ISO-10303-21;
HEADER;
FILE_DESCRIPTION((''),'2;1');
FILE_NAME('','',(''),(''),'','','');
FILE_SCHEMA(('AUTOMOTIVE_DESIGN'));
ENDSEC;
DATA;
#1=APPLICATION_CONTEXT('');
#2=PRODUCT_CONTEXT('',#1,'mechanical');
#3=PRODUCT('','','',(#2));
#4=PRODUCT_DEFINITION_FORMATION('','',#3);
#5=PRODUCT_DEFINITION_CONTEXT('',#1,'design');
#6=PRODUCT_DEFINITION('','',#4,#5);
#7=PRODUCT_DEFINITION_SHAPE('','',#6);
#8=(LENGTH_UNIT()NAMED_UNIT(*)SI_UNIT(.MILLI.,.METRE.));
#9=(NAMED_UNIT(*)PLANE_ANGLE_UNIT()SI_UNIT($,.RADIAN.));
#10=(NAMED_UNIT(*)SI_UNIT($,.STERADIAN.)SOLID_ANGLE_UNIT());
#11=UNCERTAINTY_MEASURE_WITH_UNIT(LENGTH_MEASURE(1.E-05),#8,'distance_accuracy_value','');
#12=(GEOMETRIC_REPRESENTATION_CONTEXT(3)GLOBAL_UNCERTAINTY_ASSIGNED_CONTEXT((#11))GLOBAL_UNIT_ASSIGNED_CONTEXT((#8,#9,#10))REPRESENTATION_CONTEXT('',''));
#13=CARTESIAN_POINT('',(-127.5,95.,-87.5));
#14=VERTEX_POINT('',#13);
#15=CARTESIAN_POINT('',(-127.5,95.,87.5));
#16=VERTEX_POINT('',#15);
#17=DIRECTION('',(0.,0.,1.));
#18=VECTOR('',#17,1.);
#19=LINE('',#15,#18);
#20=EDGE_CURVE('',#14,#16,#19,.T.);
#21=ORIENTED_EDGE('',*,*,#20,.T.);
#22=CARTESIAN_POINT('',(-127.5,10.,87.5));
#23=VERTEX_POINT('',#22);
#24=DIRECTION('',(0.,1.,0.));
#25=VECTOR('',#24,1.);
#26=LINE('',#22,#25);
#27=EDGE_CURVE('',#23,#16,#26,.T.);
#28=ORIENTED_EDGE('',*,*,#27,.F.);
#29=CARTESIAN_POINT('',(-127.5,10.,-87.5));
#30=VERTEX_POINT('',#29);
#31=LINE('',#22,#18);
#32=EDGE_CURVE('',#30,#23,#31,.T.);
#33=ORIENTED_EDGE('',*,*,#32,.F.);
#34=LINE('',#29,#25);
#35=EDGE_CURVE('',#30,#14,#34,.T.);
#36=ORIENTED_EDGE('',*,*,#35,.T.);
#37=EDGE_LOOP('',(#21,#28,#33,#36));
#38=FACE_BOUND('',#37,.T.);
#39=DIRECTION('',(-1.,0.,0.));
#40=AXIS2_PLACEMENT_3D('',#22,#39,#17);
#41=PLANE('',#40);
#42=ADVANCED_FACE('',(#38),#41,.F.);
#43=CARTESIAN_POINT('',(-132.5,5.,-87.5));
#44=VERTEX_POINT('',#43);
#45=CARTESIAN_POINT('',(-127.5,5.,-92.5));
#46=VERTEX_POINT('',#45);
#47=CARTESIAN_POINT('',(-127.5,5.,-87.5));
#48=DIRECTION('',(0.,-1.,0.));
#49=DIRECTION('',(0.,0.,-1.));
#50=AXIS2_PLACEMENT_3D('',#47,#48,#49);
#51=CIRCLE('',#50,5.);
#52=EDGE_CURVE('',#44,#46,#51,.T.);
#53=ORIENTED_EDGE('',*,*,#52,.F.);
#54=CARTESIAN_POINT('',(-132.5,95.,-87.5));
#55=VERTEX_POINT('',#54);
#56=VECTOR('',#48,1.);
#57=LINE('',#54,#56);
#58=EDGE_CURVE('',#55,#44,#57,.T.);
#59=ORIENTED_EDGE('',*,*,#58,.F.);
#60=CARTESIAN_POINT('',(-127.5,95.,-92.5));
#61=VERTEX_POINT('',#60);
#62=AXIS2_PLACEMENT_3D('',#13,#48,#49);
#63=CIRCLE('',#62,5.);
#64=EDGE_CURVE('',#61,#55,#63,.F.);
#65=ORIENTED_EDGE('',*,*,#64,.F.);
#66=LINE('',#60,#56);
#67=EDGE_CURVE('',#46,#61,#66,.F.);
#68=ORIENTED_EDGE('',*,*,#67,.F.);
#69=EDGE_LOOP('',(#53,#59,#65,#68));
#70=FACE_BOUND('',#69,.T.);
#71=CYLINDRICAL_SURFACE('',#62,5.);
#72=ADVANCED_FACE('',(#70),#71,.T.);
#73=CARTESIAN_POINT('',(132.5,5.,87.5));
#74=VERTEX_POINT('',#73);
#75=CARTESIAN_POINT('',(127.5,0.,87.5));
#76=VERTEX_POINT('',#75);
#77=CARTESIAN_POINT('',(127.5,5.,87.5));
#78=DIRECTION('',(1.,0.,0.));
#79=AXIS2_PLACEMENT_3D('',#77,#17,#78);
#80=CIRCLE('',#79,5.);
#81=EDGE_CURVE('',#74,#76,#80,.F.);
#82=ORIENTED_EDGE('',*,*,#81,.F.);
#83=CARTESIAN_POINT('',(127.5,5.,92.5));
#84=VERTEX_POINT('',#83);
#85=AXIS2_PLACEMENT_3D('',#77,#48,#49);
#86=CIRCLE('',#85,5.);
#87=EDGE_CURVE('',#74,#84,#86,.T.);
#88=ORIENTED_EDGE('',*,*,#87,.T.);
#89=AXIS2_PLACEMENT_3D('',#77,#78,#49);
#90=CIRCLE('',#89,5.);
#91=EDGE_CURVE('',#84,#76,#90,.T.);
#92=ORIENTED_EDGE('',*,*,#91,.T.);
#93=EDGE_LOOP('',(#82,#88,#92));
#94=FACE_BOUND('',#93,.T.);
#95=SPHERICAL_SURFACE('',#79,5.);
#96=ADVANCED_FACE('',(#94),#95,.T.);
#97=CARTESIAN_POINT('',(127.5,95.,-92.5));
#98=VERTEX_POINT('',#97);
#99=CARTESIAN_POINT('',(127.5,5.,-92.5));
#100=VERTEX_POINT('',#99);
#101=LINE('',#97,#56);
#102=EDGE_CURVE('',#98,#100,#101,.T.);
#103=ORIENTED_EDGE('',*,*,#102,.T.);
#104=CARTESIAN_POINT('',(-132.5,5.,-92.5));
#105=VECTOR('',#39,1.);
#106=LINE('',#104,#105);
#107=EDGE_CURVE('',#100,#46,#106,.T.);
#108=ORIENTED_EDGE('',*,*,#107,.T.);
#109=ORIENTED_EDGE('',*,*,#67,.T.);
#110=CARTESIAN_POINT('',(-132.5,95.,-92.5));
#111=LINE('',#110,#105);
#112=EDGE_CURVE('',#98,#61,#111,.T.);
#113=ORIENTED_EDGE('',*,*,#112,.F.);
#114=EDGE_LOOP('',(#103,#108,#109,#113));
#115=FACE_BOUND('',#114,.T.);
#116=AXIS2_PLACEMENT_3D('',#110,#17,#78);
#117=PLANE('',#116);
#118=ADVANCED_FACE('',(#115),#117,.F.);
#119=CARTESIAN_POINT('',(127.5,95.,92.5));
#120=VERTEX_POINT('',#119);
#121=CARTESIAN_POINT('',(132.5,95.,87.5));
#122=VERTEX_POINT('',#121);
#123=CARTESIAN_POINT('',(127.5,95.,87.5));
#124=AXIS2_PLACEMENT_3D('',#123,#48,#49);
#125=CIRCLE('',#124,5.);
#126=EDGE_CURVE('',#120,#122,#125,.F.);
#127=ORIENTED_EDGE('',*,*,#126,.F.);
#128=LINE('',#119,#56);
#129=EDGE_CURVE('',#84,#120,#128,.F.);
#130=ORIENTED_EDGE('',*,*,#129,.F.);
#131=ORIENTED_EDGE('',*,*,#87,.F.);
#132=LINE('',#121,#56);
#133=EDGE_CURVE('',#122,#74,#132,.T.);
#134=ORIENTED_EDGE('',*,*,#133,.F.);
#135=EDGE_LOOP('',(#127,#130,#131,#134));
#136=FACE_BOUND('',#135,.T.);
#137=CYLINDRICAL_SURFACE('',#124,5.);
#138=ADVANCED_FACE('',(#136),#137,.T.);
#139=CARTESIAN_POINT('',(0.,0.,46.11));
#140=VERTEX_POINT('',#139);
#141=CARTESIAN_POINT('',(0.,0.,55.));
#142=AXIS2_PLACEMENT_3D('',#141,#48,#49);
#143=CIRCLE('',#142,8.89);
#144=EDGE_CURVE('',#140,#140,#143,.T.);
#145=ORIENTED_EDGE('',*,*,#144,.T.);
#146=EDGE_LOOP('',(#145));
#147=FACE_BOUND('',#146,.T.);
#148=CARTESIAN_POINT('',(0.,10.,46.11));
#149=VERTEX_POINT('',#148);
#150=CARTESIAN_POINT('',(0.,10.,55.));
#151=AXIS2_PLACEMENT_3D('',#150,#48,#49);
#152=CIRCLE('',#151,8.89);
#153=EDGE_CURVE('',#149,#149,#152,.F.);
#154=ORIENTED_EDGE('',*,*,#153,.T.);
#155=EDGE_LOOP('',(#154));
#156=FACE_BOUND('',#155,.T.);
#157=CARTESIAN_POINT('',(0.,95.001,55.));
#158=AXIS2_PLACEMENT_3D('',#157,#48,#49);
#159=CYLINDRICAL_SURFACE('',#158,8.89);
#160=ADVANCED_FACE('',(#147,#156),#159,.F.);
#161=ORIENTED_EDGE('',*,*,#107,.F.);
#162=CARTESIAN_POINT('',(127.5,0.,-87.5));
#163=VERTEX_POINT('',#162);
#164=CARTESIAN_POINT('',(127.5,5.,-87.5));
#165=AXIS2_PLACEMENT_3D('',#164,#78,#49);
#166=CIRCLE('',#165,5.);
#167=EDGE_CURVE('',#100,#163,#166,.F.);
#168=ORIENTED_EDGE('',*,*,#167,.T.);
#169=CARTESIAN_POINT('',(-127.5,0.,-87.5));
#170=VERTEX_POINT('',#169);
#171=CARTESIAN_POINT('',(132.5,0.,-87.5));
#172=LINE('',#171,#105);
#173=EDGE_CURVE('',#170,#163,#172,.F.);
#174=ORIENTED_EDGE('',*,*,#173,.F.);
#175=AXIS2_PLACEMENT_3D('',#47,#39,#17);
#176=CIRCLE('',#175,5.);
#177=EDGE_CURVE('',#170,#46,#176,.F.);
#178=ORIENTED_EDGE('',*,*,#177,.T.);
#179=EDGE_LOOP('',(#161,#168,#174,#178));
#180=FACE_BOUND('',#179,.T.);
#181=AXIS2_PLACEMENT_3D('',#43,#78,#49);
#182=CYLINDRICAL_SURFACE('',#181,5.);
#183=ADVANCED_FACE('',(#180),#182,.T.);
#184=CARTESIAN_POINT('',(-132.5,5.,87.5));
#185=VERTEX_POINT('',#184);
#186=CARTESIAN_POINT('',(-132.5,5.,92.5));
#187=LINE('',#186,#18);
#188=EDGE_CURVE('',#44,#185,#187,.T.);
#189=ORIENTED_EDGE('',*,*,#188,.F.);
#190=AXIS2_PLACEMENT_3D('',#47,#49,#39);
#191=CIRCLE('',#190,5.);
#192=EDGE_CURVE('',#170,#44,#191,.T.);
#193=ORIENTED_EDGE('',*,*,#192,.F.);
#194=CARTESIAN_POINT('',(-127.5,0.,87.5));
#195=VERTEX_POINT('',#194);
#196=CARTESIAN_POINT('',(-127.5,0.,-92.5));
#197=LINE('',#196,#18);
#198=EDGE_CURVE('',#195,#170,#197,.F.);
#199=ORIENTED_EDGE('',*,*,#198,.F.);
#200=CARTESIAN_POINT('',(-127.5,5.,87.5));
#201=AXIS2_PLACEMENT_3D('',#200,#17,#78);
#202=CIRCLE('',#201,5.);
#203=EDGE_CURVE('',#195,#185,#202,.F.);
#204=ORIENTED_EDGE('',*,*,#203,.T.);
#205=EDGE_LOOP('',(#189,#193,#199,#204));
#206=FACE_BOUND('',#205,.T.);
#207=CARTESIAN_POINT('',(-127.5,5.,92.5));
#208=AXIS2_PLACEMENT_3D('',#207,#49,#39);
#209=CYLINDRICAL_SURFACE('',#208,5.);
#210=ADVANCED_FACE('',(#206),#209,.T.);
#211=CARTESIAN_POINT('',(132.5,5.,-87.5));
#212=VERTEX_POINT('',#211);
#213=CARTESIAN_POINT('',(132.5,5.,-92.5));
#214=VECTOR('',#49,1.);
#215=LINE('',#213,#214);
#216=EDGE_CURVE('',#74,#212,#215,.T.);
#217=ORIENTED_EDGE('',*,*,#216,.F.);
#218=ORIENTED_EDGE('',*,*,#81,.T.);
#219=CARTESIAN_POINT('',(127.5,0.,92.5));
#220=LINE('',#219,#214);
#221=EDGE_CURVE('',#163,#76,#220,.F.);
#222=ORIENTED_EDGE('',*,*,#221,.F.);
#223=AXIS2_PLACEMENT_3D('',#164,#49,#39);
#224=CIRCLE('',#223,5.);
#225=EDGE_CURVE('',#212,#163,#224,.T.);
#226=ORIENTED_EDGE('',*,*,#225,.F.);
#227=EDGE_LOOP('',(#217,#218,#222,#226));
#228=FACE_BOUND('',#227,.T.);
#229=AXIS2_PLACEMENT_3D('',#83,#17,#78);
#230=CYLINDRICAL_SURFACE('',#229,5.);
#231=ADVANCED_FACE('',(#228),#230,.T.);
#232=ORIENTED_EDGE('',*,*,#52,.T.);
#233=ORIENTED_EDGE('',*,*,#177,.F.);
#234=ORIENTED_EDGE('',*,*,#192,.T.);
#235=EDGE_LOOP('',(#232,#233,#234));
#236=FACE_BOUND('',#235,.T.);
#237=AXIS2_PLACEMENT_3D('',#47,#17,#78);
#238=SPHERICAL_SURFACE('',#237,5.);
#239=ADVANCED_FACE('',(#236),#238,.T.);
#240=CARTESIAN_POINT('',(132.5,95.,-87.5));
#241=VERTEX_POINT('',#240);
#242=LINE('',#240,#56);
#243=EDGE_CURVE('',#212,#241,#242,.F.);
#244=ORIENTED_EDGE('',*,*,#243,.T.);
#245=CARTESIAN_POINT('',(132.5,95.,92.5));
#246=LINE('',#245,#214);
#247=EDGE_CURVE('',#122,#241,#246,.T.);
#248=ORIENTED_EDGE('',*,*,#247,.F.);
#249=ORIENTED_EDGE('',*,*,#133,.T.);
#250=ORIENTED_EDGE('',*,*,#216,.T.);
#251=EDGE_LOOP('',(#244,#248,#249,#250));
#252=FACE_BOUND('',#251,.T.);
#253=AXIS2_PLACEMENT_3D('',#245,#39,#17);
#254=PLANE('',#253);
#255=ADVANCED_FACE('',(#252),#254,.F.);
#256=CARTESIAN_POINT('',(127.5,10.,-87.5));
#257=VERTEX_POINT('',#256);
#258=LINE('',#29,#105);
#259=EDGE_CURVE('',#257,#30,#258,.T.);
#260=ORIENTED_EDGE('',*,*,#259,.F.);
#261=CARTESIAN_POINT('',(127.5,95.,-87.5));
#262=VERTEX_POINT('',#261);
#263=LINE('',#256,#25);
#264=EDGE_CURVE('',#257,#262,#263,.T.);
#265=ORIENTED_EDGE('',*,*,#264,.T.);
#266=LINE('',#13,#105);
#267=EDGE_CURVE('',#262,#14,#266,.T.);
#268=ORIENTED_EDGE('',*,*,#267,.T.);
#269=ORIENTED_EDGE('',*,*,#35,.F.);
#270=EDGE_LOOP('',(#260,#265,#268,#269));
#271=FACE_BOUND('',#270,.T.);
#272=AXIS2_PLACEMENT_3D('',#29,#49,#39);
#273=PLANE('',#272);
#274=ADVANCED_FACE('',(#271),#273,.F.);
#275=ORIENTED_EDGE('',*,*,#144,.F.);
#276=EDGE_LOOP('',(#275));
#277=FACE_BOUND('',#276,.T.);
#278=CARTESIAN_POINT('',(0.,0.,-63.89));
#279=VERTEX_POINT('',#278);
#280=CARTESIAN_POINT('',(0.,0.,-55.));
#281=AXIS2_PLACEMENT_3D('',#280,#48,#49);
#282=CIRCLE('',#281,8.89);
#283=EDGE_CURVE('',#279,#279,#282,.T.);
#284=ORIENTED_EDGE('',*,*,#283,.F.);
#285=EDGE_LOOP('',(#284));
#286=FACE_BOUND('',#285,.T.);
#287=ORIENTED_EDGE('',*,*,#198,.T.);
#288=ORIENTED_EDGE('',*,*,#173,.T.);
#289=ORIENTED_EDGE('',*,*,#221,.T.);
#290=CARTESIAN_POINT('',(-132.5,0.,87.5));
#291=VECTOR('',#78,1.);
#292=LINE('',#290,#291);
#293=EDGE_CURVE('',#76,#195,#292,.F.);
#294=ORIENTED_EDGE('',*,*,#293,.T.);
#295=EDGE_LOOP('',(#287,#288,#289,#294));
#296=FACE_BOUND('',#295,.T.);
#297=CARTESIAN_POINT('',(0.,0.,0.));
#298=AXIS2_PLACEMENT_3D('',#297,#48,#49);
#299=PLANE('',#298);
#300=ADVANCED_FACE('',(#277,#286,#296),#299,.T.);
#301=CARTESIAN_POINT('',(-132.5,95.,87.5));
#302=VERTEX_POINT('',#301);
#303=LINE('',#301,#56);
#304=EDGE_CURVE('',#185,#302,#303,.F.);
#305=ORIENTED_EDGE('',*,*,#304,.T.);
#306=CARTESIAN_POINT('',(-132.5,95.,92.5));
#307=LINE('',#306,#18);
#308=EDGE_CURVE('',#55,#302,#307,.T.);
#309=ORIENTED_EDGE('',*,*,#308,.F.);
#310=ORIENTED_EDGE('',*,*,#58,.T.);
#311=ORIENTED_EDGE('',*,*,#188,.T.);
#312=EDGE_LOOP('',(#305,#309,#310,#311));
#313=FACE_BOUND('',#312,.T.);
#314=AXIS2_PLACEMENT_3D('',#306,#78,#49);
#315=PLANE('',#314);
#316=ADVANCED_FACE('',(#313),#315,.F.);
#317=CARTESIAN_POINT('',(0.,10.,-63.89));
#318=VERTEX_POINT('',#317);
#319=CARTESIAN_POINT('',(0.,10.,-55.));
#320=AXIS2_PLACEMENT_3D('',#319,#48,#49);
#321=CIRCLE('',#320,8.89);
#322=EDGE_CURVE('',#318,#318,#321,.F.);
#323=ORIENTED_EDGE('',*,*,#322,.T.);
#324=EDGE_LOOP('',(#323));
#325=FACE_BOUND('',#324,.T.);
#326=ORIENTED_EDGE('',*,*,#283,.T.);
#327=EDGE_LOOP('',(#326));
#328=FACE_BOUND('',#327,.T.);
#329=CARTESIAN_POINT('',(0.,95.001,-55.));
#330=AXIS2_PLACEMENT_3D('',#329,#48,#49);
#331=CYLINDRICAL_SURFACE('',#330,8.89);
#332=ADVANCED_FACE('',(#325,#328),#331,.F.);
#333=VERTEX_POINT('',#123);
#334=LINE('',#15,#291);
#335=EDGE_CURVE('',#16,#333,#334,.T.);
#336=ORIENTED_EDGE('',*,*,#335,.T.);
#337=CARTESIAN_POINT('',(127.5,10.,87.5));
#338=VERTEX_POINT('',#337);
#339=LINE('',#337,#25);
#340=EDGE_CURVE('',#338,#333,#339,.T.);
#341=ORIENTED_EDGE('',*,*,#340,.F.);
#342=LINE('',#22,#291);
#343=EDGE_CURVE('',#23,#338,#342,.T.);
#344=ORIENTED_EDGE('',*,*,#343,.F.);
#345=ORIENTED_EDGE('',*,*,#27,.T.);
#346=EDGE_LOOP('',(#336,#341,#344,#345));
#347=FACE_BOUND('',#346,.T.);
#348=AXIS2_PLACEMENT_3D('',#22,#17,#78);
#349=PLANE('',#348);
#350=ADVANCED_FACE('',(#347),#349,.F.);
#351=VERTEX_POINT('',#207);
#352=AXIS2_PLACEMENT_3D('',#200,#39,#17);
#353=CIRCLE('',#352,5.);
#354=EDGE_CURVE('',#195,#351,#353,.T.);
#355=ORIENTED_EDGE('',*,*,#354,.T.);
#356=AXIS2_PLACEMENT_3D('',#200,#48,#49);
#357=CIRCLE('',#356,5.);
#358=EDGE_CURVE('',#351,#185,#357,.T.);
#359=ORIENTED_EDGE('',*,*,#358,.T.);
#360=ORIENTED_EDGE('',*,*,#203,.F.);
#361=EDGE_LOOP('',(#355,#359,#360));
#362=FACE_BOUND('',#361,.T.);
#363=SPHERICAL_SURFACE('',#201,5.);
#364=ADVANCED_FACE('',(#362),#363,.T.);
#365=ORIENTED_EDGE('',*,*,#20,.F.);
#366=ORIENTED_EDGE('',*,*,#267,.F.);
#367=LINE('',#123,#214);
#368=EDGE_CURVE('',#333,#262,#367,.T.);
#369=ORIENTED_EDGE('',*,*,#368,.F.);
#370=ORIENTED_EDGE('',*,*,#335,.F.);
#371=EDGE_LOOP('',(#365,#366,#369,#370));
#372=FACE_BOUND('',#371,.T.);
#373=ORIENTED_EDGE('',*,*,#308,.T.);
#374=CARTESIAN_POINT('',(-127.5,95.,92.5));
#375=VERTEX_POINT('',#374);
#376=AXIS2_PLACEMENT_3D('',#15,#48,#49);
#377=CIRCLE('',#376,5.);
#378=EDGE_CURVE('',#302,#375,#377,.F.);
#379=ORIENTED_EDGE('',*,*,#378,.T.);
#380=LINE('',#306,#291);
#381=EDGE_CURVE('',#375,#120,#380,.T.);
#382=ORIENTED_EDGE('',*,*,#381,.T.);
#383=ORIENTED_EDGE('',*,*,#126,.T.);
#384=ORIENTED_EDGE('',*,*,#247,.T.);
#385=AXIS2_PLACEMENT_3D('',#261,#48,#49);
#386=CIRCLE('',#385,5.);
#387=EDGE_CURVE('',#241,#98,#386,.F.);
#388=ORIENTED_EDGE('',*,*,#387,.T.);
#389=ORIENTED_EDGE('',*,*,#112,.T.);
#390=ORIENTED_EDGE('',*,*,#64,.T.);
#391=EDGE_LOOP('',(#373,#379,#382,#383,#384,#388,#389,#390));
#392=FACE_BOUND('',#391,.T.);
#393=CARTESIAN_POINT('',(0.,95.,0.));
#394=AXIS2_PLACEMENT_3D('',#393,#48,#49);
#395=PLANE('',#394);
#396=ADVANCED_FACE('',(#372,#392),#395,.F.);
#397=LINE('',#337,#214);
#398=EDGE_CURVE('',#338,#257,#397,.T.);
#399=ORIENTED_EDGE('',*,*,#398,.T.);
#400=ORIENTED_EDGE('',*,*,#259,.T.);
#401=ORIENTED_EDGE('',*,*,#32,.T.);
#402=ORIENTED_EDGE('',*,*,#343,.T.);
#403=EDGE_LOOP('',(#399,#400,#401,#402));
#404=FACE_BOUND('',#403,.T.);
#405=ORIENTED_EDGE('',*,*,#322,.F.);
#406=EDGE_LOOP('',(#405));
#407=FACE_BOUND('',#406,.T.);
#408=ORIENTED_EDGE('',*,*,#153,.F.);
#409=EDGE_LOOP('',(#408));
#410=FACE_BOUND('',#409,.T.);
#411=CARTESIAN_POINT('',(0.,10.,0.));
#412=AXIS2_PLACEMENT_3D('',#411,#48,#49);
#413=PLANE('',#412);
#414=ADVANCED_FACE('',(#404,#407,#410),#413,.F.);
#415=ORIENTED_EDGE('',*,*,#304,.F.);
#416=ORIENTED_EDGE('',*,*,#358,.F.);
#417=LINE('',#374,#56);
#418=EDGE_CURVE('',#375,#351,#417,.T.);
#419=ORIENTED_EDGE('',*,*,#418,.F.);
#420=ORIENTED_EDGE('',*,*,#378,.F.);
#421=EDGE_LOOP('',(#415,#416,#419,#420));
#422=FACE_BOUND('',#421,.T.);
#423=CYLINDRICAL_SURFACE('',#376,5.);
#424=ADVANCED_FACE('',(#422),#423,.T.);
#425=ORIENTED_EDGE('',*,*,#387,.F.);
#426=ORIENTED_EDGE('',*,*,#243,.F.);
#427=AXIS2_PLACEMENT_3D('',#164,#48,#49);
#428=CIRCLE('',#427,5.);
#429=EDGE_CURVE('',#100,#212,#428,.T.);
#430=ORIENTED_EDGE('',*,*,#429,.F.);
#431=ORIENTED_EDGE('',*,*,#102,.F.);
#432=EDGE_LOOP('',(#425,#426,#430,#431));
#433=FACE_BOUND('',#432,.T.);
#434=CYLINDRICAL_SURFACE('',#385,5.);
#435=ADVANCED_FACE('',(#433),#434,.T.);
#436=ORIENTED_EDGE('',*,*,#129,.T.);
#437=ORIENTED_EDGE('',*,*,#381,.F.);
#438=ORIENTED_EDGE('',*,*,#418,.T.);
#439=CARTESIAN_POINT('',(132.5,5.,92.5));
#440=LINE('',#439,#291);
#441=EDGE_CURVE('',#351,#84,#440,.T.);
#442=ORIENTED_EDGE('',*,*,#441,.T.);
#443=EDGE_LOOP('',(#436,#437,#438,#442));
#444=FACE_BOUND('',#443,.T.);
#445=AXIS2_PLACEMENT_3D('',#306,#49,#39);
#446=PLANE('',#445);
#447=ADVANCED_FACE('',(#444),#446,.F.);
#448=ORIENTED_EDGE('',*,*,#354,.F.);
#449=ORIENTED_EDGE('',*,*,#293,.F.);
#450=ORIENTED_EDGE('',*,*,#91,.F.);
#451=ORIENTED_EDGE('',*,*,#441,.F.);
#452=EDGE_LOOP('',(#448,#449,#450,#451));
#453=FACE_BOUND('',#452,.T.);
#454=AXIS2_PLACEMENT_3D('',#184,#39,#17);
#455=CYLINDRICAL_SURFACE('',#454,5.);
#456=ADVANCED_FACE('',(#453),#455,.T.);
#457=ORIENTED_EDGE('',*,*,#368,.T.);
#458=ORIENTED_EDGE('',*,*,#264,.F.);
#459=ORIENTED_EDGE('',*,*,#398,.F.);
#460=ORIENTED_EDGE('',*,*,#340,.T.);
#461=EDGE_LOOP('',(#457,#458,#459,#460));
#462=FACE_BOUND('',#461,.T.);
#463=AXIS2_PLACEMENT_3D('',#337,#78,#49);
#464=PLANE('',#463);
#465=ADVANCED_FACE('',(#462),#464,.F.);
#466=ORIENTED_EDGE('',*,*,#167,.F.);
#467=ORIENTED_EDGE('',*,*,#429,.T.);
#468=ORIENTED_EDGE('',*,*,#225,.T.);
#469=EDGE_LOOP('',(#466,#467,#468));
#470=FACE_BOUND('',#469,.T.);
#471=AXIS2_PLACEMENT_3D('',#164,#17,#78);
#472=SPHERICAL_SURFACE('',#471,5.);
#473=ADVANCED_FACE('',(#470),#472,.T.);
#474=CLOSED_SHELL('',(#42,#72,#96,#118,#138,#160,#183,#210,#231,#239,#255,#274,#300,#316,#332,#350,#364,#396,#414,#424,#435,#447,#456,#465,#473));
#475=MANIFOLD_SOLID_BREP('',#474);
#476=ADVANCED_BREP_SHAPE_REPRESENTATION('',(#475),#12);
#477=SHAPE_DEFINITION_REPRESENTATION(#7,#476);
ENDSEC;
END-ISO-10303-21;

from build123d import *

# Parameters (mm, degrees)
SKETCH1_W           = 265
SKETCH1_H           = 185
BOSS_EXTRUDE1_DEPTH = 95
SKETCH2_W           = 255
SKETCH2_H           = 175
CUT_EXTRUDE1_DEPTH  = 85
CUT_EXTRUDE2_REACH  = 97
SKETCH6_R           = 8.89
FILLET1_R           = 5


with BuildPart() as part:
    # Sketch1 → Boss-Extrude1 (new body)
    with BuildSketch(Plane(origin=(0, 0, 0), x_dir=(1, 0, 0), z_dir=(0, 1, 0))):
        Rectangle(SKETCH1_W, SKETCH1_H)
    extrude(amount=BOSS_EXTRUDE1_DEPTH)

    # Sketch2 → Cut-Extrude1 (cut)
    with BuildSketch(Plane(origin=(0, 95, 0), x_dir=(1, 0, 0), z_dir=(0, 1, 0))):
        Rectangle(SKETCH2_W, SKETCH2_H)
    extrude(amount=-CUT_EXTRUDE1_DEPTH, mode=Mode.SUBTRACT)

    # Sketch6 → Cut-Extrude2 (cut, up to next)
    with BuildSketch(Plane.XZ, mode=Mode.PRIVATE) as cut_extrude2_sk1:
        with Locations((0, 55)):
            Circle(SKETCH6_R)
    cut_extrude2_tool1 = extrude(cut_extrude2_sk1.sketch, amount=-CUT_EXTRUDE2_REACH, mode=Mode.PRIVATE) & part.part
    add(cut_extrude2_tool1.solids().sort_by_distance((0, 0, 55))[0], mode=Mode.SUBTRACT)
    # Sketch6 → Cut-Extrude2 (cut, up to next)
    with BuildSketch(Plane.XZ, mode=Mode.PRIVATE) as cut_extrude2_sk2:
        with Locations((0, -55)):
            Circle(SKETCH6_R)
    cut_extrude2_tool2 = extrude(cut_extrude2_sk2.sketch, amount=-CUT_EXTRUDE2_REACH, mode=Mode.PRIVATE) & part.part
    add(cut_extrude2_tool2.solids().sort_by_distance((0, 0, -55))[0], mode=Mode.SUBTRACT)

    # Fillet1
    fillet1_edges = [part.edges().sort_by_distance(p)[0] for p in [
        (0, 0, 92.5),
        (-132.5, 0, 0),
        (0, 0, -92.5),
        (132.5, 0, 0),
        (132.5, 47.5, 92.5),
        (-132.5, 47.5, 92.5),
        (-132.5, 47.5, -92.5),
        (132.5, 47.5, -92.5),
    ]]
    fillet(fillet1_edges, radius=FILLET1_R)


solid = part.part
